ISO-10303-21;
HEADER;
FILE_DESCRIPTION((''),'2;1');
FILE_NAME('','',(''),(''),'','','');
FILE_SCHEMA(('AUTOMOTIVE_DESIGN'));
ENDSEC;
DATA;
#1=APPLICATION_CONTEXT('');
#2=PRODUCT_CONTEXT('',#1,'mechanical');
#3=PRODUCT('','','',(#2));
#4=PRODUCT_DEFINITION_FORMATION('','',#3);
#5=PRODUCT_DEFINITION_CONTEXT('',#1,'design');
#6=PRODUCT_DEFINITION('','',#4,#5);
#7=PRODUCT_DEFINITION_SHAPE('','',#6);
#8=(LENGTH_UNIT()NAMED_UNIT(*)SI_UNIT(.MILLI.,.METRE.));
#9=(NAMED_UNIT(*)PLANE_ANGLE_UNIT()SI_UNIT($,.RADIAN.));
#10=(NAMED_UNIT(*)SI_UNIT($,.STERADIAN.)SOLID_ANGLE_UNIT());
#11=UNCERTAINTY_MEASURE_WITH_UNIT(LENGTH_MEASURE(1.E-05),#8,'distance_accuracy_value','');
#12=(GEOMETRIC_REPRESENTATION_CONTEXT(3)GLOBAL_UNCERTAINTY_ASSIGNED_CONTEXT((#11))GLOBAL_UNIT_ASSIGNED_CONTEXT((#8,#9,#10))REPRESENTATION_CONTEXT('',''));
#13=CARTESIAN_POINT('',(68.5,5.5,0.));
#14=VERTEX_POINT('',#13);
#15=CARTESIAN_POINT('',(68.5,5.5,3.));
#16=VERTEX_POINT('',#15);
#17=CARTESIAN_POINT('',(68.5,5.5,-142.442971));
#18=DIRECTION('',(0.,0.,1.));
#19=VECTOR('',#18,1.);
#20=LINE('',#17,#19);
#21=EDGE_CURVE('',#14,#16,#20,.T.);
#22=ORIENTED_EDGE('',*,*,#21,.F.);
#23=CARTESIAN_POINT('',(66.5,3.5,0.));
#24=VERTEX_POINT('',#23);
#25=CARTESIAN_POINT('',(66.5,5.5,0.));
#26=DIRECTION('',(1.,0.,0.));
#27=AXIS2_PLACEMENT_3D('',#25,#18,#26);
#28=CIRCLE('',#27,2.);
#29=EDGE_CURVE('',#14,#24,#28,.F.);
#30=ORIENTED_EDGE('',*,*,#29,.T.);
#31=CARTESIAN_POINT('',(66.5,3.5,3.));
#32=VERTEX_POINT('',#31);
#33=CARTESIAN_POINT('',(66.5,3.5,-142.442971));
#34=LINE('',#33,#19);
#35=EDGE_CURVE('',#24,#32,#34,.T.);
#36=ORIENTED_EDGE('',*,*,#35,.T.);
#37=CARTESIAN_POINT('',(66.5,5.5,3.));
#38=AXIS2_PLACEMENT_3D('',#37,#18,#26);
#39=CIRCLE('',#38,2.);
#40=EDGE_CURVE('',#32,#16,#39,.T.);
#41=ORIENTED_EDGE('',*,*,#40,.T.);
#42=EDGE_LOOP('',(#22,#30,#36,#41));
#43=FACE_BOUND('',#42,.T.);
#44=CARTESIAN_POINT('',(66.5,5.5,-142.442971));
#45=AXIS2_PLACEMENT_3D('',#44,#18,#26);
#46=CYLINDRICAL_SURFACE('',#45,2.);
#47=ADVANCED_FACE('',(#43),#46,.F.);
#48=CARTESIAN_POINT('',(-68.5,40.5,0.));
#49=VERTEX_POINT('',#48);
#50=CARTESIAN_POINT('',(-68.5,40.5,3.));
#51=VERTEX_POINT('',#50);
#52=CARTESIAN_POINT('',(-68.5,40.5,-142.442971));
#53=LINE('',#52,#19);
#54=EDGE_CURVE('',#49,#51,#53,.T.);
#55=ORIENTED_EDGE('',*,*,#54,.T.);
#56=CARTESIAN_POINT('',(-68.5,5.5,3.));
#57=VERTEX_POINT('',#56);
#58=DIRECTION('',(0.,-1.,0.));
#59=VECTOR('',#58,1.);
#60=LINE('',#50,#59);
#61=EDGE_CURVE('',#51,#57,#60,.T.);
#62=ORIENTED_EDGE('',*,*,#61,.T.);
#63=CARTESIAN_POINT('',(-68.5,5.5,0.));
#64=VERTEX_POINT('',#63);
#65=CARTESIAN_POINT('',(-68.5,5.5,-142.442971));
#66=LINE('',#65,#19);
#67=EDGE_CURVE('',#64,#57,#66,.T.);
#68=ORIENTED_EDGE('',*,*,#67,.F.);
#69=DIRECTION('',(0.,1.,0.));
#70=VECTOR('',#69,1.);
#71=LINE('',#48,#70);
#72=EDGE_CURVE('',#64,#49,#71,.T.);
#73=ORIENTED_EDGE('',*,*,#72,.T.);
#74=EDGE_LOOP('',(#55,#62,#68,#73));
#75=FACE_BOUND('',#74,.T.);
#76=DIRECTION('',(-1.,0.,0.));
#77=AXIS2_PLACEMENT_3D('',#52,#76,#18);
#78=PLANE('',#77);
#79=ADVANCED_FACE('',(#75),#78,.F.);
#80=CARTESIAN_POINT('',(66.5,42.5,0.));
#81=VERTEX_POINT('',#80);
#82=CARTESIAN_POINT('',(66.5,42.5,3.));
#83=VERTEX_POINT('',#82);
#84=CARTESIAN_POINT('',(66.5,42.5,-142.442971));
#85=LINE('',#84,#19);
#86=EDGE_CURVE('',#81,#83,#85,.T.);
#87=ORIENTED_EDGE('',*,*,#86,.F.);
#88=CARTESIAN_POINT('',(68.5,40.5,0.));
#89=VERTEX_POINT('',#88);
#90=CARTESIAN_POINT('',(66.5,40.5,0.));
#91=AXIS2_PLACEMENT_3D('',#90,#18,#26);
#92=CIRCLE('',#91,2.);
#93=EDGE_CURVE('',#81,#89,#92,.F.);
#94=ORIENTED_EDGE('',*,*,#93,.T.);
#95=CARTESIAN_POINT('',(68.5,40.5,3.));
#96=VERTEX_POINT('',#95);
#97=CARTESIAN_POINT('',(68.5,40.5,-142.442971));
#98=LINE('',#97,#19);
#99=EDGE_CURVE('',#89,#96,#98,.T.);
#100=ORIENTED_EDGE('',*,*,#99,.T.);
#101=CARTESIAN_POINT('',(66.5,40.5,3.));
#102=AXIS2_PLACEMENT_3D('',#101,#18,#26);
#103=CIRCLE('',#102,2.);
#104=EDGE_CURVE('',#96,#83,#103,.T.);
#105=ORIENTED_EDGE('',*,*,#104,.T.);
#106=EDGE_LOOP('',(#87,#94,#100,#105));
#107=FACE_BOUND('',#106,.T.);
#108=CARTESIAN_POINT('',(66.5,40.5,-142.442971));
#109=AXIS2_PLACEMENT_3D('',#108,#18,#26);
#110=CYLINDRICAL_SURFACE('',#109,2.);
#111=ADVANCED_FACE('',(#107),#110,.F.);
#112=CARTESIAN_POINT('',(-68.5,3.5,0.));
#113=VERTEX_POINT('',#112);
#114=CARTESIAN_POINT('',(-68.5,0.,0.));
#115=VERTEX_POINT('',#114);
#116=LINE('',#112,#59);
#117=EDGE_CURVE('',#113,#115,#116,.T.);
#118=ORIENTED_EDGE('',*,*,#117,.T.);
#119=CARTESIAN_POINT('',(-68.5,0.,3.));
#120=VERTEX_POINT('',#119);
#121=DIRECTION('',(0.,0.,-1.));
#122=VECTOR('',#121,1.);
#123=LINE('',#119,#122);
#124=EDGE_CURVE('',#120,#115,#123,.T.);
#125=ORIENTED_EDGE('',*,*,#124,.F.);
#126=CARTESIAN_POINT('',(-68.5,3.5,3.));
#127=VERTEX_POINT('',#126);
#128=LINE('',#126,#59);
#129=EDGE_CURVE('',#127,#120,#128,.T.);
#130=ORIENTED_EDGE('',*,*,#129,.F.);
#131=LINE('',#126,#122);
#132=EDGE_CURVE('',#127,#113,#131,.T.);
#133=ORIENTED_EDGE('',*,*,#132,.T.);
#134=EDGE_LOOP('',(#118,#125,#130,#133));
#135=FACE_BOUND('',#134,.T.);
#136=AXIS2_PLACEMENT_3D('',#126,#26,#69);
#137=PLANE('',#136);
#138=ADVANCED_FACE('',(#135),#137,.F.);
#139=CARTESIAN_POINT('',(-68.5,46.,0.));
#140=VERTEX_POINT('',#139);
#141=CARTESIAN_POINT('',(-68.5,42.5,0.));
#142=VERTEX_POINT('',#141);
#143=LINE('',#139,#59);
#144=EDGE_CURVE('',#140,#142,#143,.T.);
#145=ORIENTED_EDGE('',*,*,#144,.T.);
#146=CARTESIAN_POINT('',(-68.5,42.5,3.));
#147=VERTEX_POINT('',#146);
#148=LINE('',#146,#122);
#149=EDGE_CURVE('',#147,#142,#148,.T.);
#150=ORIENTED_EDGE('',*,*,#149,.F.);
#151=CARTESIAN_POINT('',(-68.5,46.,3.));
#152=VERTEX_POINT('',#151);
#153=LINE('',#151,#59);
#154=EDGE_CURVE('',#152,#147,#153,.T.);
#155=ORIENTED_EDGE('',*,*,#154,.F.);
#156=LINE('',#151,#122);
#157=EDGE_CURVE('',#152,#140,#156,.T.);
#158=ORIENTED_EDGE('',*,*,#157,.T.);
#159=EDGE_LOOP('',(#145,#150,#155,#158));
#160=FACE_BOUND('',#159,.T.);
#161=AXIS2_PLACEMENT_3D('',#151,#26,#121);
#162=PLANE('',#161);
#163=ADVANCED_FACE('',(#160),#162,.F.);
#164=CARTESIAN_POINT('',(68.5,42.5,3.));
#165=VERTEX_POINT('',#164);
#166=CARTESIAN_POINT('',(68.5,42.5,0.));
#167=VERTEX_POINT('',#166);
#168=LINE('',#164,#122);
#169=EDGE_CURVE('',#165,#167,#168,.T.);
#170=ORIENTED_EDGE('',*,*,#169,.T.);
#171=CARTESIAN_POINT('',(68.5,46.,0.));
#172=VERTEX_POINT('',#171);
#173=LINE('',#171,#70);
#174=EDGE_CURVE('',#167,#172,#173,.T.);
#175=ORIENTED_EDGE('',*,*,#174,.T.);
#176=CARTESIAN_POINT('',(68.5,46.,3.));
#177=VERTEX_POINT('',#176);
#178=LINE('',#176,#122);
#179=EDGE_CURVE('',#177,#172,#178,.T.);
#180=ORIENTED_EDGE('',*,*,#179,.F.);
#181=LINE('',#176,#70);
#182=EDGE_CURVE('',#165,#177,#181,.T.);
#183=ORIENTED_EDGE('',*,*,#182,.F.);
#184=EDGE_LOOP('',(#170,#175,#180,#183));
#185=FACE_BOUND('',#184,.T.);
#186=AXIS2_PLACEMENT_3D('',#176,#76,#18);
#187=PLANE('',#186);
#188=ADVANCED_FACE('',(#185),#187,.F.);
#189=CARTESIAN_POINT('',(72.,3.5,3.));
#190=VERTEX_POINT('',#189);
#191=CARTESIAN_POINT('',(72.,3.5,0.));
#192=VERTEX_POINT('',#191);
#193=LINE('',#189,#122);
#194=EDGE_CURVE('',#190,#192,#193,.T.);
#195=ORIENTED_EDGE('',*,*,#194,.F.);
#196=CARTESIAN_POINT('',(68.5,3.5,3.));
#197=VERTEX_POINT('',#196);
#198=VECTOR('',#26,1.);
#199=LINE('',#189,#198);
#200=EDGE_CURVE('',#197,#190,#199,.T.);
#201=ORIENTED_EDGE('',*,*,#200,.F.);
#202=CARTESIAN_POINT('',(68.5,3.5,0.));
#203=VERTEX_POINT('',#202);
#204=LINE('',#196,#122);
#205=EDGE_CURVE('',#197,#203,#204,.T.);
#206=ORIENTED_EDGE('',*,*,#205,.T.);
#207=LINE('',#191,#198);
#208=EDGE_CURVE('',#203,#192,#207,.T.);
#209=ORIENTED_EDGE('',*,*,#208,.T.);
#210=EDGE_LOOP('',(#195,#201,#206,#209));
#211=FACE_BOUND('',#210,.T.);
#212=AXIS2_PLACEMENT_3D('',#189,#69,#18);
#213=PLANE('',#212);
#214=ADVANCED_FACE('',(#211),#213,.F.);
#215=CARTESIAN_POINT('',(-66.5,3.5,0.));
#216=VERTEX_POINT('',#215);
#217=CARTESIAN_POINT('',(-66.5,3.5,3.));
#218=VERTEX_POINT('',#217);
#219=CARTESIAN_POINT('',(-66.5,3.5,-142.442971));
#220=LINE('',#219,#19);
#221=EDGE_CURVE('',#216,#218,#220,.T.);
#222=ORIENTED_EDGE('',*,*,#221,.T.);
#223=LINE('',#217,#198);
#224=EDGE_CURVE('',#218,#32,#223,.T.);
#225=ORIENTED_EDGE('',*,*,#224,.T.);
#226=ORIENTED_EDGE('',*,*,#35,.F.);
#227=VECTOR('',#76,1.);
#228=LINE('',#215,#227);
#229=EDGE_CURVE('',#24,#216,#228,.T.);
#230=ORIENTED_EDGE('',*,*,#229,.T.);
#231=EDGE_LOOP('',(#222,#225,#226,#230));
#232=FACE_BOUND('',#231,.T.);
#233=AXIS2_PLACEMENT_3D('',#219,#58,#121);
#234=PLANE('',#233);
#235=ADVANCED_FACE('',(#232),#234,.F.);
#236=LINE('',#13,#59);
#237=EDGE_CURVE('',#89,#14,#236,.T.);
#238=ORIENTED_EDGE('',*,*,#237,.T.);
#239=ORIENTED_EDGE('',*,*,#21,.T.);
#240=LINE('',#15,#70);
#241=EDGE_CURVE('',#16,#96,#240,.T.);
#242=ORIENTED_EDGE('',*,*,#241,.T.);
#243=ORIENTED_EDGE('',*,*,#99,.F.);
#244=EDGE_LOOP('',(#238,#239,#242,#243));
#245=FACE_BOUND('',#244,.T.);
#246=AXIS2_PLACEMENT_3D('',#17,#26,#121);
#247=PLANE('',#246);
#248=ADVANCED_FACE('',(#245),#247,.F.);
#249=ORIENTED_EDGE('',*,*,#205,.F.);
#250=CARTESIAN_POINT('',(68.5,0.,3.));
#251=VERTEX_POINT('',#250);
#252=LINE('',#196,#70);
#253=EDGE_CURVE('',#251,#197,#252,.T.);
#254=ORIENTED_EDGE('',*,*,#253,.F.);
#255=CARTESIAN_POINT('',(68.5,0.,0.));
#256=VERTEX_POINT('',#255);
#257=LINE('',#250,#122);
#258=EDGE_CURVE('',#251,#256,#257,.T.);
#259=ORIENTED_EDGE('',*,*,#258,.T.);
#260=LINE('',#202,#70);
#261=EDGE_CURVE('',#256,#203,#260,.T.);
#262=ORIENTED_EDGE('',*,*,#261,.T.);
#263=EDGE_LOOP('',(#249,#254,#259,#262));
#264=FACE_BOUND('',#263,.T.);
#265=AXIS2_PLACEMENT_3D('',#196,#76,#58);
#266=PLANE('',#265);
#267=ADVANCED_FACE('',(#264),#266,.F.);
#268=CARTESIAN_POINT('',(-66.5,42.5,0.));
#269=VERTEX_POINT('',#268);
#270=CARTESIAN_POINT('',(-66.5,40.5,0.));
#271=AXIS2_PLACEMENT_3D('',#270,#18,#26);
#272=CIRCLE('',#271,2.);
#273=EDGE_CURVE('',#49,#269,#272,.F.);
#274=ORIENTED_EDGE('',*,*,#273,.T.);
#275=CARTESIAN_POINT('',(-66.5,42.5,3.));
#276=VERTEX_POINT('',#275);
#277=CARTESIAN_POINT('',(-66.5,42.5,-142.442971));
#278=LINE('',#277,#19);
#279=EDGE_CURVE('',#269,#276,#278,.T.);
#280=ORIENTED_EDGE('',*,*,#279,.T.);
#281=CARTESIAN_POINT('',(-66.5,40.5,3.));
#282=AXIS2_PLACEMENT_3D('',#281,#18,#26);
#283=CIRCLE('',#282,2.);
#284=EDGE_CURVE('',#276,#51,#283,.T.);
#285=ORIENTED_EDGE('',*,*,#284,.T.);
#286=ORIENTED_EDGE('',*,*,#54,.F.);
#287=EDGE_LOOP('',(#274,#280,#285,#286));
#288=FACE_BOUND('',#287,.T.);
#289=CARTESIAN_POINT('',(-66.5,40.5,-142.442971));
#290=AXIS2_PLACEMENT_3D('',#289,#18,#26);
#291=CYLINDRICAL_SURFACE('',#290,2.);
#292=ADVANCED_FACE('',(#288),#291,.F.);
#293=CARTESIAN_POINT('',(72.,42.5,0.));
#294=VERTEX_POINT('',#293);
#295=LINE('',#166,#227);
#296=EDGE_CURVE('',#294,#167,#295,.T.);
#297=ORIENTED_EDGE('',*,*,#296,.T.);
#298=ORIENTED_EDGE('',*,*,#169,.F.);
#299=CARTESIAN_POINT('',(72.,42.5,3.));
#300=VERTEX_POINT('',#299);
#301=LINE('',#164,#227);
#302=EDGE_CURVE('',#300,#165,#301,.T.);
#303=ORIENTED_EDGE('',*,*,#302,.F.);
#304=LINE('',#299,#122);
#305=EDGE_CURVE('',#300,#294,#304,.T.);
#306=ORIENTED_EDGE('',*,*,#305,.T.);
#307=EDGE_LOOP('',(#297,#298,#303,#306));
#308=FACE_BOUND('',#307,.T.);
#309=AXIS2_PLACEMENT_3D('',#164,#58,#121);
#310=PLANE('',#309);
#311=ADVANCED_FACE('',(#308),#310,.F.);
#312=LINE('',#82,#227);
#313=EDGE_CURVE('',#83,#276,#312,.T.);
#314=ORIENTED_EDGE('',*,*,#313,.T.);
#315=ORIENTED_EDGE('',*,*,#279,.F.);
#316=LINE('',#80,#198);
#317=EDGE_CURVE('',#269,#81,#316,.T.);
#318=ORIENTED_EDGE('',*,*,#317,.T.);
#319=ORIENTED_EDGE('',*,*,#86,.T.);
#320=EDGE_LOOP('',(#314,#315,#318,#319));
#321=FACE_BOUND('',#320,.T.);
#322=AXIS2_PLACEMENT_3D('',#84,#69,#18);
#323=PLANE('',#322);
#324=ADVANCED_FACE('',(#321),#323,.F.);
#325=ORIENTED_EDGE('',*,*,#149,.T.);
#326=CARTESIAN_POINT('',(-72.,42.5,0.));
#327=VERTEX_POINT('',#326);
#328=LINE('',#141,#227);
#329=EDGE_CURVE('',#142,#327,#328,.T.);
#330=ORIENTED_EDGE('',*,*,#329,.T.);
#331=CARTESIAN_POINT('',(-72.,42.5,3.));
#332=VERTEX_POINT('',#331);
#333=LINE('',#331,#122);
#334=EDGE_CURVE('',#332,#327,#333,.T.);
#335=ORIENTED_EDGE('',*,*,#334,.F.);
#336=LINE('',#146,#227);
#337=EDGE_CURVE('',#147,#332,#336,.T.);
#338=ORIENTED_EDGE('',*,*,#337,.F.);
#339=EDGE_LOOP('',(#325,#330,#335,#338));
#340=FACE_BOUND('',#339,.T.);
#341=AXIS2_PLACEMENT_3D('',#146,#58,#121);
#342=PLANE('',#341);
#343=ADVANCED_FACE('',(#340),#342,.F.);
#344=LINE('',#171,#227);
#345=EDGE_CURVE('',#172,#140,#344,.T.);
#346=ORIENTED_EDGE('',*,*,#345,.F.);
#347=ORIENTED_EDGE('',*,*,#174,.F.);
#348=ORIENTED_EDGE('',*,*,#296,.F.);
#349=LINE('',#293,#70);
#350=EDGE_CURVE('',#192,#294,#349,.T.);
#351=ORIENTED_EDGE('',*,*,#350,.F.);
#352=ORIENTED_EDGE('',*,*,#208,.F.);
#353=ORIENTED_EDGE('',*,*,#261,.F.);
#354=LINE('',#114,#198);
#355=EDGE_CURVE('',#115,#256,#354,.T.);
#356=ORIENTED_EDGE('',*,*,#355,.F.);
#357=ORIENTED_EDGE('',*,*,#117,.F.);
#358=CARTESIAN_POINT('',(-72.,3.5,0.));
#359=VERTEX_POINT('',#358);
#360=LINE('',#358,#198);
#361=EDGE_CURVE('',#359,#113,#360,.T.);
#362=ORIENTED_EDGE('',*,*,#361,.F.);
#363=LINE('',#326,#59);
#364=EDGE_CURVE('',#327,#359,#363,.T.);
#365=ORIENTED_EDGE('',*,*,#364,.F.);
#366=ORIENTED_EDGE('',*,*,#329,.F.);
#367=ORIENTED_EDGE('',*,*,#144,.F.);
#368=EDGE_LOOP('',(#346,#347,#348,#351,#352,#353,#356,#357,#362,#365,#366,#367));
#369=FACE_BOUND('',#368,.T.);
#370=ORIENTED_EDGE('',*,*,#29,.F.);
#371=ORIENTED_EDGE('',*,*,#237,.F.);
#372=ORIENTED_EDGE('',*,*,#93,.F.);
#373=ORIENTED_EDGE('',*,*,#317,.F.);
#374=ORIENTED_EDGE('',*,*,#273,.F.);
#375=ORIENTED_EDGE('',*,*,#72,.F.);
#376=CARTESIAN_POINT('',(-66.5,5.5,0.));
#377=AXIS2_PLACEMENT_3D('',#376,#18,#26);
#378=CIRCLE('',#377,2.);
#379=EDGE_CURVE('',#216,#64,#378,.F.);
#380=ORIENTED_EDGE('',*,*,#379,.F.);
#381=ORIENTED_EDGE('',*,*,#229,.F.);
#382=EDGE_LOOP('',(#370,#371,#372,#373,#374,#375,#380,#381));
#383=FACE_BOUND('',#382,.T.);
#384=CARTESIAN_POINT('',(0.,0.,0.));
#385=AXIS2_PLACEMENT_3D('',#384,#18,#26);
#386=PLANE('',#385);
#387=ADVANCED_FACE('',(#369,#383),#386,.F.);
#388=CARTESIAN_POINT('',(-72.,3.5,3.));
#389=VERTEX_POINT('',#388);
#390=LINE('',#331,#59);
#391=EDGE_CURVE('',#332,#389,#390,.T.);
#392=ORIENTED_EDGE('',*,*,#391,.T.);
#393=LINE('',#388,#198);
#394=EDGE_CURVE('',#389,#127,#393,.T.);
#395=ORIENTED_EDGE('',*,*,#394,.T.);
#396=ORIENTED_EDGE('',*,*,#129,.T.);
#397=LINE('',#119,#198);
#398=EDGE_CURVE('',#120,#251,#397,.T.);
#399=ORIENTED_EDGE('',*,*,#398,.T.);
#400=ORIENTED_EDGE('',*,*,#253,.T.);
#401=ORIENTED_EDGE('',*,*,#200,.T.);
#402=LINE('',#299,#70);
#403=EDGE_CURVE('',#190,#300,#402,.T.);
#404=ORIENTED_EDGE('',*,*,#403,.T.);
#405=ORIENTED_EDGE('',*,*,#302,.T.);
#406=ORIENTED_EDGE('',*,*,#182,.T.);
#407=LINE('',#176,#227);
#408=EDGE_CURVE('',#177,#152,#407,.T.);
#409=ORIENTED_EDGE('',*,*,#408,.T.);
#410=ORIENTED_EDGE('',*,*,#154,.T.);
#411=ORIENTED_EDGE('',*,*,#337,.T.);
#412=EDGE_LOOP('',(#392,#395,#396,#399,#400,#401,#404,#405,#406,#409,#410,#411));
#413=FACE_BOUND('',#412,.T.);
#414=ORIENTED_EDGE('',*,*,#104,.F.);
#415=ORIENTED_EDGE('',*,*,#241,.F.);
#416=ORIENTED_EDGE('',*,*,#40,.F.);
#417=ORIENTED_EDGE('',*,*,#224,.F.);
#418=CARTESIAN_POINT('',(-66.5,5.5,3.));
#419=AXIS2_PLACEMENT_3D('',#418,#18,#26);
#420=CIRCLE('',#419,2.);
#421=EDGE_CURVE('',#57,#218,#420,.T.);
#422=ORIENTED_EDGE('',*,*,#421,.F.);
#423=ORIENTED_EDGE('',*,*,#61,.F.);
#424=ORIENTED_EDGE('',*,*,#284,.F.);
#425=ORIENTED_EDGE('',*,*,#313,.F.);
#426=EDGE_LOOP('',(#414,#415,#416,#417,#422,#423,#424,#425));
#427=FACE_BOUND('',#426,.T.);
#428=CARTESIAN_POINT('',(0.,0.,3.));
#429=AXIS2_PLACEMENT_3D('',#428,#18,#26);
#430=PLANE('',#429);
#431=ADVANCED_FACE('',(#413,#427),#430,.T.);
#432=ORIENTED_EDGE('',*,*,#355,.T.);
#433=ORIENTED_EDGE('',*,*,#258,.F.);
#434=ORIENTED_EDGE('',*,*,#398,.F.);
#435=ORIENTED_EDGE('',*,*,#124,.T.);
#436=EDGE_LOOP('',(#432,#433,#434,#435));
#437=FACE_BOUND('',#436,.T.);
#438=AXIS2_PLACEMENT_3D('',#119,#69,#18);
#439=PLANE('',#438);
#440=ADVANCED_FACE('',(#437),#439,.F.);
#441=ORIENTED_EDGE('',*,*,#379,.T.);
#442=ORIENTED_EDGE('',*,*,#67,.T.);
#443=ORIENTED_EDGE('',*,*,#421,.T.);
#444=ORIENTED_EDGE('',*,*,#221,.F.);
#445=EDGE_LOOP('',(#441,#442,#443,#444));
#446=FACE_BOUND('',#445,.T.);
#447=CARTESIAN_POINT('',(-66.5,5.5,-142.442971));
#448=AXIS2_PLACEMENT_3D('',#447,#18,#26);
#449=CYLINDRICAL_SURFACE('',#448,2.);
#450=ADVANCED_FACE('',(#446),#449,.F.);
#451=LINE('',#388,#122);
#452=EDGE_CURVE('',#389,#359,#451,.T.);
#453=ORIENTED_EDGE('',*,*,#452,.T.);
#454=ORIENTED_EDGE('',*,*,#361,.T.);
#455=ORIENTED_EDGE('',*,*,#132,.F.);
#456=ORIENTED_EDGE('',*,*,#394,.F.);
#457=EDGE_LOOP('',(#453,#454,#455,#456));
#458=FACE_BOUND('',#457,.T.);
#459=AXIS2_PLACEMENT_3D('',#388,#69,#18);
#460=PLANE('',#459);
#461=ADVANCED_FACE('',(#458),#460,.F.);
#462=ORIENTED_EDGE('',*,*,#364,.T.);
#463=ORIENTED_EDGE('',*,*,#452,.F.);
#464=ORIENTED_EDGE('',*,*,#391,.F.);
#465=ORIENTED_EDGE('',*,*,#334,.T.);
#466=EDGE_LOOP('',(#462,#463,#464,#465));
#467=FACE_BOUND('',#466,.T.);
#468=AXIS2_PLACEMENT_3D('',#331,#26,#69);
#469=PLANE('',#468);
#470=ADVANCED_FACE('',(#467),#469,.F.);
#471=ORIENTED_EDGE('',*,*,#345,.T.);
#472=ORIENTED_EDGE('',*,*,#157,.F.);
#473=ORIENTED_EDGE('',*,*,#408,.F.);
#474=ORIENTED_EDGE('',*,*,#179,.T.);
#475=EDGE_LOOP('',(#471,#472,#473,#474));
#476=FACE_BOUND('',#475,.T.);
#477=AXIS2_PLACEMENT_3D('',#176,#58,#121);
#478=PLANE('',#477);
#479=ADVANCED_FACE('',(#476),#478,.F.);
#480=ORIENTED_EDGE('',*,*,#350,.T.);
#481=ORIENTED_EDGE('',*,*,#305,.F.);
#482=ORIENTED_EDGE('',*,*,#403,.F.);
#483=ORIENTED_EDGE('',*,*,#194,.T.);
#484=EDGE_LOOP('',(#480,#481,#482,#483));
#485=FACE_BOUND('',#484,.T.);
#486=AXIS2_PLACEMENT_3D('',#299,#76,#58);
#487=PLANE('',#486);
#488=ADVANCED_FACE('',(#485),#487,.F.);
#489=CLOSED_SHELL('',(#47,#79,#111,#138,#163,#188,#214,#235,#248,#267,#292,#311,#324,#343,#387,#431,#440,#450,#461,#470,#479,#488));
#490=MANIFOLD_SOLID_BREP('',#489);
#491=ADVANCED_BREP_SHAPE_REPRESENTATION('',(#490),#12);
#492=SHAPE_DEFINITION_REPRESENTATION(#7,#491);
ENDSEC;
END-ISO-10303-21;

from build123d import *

# Parameters (mm, degrees)
BOSS_EXTRUDE1_DEPTH = 3
CUT_EXTRUDE3_DEPTH  = 3


with BuildPart() as part:
    # Sketch1 → Boss-Extrude1 (new body)
    with BuildSketch(Plane.XY):
        Polygon((68.5, 46), (-68.5, 46), (-68.5, 42.5), (-72, 42.5), (-72, 3.5), (-68.5, 3.5), (-68.5, 0), (68.5, 0), (68.5, 3.5), (72, 3.5), (72, 42.5), (68.5, 42.5), align=None)
    extrude(amount=BOSS_EXTRUDE1_DEPTH)

    # Sketch2 → Cut-Extrude3 (cut)
    with BuildSketch(Plane.XY.offset(3)):
        with BuildLine():
            Line((68.5, 5.5), (68.5, 40.5))
            ThreePointArc((68.5, 40.5), (67.914213562, 41.914213562), (66.5, 42.5))
            Line((66.5, 42.5), (-66.5, 42.5))
            ThreePointArc((-66.5, 42.5), (-67.914213562, 41.914213562), (-68.5, 40.5))
            Line((-68.5, 40.5), (-68.5, 5.5))
            ThreePointArc((-68.5, 5.5), (-67.914213562, 4.085786438), (-66.5, 3.5))
            Line((-66.5, 3.5), (66.5, 3.5))
            ThreePointArc((66.5, 3.5), (67.914213562, 4.085786438), (68.5, 5.5))
        make_face()
    extrude(amount=-CUT_EXTRUDE3_DEPTH, mode=Mode.SUBTRACT)


solid = part.part
